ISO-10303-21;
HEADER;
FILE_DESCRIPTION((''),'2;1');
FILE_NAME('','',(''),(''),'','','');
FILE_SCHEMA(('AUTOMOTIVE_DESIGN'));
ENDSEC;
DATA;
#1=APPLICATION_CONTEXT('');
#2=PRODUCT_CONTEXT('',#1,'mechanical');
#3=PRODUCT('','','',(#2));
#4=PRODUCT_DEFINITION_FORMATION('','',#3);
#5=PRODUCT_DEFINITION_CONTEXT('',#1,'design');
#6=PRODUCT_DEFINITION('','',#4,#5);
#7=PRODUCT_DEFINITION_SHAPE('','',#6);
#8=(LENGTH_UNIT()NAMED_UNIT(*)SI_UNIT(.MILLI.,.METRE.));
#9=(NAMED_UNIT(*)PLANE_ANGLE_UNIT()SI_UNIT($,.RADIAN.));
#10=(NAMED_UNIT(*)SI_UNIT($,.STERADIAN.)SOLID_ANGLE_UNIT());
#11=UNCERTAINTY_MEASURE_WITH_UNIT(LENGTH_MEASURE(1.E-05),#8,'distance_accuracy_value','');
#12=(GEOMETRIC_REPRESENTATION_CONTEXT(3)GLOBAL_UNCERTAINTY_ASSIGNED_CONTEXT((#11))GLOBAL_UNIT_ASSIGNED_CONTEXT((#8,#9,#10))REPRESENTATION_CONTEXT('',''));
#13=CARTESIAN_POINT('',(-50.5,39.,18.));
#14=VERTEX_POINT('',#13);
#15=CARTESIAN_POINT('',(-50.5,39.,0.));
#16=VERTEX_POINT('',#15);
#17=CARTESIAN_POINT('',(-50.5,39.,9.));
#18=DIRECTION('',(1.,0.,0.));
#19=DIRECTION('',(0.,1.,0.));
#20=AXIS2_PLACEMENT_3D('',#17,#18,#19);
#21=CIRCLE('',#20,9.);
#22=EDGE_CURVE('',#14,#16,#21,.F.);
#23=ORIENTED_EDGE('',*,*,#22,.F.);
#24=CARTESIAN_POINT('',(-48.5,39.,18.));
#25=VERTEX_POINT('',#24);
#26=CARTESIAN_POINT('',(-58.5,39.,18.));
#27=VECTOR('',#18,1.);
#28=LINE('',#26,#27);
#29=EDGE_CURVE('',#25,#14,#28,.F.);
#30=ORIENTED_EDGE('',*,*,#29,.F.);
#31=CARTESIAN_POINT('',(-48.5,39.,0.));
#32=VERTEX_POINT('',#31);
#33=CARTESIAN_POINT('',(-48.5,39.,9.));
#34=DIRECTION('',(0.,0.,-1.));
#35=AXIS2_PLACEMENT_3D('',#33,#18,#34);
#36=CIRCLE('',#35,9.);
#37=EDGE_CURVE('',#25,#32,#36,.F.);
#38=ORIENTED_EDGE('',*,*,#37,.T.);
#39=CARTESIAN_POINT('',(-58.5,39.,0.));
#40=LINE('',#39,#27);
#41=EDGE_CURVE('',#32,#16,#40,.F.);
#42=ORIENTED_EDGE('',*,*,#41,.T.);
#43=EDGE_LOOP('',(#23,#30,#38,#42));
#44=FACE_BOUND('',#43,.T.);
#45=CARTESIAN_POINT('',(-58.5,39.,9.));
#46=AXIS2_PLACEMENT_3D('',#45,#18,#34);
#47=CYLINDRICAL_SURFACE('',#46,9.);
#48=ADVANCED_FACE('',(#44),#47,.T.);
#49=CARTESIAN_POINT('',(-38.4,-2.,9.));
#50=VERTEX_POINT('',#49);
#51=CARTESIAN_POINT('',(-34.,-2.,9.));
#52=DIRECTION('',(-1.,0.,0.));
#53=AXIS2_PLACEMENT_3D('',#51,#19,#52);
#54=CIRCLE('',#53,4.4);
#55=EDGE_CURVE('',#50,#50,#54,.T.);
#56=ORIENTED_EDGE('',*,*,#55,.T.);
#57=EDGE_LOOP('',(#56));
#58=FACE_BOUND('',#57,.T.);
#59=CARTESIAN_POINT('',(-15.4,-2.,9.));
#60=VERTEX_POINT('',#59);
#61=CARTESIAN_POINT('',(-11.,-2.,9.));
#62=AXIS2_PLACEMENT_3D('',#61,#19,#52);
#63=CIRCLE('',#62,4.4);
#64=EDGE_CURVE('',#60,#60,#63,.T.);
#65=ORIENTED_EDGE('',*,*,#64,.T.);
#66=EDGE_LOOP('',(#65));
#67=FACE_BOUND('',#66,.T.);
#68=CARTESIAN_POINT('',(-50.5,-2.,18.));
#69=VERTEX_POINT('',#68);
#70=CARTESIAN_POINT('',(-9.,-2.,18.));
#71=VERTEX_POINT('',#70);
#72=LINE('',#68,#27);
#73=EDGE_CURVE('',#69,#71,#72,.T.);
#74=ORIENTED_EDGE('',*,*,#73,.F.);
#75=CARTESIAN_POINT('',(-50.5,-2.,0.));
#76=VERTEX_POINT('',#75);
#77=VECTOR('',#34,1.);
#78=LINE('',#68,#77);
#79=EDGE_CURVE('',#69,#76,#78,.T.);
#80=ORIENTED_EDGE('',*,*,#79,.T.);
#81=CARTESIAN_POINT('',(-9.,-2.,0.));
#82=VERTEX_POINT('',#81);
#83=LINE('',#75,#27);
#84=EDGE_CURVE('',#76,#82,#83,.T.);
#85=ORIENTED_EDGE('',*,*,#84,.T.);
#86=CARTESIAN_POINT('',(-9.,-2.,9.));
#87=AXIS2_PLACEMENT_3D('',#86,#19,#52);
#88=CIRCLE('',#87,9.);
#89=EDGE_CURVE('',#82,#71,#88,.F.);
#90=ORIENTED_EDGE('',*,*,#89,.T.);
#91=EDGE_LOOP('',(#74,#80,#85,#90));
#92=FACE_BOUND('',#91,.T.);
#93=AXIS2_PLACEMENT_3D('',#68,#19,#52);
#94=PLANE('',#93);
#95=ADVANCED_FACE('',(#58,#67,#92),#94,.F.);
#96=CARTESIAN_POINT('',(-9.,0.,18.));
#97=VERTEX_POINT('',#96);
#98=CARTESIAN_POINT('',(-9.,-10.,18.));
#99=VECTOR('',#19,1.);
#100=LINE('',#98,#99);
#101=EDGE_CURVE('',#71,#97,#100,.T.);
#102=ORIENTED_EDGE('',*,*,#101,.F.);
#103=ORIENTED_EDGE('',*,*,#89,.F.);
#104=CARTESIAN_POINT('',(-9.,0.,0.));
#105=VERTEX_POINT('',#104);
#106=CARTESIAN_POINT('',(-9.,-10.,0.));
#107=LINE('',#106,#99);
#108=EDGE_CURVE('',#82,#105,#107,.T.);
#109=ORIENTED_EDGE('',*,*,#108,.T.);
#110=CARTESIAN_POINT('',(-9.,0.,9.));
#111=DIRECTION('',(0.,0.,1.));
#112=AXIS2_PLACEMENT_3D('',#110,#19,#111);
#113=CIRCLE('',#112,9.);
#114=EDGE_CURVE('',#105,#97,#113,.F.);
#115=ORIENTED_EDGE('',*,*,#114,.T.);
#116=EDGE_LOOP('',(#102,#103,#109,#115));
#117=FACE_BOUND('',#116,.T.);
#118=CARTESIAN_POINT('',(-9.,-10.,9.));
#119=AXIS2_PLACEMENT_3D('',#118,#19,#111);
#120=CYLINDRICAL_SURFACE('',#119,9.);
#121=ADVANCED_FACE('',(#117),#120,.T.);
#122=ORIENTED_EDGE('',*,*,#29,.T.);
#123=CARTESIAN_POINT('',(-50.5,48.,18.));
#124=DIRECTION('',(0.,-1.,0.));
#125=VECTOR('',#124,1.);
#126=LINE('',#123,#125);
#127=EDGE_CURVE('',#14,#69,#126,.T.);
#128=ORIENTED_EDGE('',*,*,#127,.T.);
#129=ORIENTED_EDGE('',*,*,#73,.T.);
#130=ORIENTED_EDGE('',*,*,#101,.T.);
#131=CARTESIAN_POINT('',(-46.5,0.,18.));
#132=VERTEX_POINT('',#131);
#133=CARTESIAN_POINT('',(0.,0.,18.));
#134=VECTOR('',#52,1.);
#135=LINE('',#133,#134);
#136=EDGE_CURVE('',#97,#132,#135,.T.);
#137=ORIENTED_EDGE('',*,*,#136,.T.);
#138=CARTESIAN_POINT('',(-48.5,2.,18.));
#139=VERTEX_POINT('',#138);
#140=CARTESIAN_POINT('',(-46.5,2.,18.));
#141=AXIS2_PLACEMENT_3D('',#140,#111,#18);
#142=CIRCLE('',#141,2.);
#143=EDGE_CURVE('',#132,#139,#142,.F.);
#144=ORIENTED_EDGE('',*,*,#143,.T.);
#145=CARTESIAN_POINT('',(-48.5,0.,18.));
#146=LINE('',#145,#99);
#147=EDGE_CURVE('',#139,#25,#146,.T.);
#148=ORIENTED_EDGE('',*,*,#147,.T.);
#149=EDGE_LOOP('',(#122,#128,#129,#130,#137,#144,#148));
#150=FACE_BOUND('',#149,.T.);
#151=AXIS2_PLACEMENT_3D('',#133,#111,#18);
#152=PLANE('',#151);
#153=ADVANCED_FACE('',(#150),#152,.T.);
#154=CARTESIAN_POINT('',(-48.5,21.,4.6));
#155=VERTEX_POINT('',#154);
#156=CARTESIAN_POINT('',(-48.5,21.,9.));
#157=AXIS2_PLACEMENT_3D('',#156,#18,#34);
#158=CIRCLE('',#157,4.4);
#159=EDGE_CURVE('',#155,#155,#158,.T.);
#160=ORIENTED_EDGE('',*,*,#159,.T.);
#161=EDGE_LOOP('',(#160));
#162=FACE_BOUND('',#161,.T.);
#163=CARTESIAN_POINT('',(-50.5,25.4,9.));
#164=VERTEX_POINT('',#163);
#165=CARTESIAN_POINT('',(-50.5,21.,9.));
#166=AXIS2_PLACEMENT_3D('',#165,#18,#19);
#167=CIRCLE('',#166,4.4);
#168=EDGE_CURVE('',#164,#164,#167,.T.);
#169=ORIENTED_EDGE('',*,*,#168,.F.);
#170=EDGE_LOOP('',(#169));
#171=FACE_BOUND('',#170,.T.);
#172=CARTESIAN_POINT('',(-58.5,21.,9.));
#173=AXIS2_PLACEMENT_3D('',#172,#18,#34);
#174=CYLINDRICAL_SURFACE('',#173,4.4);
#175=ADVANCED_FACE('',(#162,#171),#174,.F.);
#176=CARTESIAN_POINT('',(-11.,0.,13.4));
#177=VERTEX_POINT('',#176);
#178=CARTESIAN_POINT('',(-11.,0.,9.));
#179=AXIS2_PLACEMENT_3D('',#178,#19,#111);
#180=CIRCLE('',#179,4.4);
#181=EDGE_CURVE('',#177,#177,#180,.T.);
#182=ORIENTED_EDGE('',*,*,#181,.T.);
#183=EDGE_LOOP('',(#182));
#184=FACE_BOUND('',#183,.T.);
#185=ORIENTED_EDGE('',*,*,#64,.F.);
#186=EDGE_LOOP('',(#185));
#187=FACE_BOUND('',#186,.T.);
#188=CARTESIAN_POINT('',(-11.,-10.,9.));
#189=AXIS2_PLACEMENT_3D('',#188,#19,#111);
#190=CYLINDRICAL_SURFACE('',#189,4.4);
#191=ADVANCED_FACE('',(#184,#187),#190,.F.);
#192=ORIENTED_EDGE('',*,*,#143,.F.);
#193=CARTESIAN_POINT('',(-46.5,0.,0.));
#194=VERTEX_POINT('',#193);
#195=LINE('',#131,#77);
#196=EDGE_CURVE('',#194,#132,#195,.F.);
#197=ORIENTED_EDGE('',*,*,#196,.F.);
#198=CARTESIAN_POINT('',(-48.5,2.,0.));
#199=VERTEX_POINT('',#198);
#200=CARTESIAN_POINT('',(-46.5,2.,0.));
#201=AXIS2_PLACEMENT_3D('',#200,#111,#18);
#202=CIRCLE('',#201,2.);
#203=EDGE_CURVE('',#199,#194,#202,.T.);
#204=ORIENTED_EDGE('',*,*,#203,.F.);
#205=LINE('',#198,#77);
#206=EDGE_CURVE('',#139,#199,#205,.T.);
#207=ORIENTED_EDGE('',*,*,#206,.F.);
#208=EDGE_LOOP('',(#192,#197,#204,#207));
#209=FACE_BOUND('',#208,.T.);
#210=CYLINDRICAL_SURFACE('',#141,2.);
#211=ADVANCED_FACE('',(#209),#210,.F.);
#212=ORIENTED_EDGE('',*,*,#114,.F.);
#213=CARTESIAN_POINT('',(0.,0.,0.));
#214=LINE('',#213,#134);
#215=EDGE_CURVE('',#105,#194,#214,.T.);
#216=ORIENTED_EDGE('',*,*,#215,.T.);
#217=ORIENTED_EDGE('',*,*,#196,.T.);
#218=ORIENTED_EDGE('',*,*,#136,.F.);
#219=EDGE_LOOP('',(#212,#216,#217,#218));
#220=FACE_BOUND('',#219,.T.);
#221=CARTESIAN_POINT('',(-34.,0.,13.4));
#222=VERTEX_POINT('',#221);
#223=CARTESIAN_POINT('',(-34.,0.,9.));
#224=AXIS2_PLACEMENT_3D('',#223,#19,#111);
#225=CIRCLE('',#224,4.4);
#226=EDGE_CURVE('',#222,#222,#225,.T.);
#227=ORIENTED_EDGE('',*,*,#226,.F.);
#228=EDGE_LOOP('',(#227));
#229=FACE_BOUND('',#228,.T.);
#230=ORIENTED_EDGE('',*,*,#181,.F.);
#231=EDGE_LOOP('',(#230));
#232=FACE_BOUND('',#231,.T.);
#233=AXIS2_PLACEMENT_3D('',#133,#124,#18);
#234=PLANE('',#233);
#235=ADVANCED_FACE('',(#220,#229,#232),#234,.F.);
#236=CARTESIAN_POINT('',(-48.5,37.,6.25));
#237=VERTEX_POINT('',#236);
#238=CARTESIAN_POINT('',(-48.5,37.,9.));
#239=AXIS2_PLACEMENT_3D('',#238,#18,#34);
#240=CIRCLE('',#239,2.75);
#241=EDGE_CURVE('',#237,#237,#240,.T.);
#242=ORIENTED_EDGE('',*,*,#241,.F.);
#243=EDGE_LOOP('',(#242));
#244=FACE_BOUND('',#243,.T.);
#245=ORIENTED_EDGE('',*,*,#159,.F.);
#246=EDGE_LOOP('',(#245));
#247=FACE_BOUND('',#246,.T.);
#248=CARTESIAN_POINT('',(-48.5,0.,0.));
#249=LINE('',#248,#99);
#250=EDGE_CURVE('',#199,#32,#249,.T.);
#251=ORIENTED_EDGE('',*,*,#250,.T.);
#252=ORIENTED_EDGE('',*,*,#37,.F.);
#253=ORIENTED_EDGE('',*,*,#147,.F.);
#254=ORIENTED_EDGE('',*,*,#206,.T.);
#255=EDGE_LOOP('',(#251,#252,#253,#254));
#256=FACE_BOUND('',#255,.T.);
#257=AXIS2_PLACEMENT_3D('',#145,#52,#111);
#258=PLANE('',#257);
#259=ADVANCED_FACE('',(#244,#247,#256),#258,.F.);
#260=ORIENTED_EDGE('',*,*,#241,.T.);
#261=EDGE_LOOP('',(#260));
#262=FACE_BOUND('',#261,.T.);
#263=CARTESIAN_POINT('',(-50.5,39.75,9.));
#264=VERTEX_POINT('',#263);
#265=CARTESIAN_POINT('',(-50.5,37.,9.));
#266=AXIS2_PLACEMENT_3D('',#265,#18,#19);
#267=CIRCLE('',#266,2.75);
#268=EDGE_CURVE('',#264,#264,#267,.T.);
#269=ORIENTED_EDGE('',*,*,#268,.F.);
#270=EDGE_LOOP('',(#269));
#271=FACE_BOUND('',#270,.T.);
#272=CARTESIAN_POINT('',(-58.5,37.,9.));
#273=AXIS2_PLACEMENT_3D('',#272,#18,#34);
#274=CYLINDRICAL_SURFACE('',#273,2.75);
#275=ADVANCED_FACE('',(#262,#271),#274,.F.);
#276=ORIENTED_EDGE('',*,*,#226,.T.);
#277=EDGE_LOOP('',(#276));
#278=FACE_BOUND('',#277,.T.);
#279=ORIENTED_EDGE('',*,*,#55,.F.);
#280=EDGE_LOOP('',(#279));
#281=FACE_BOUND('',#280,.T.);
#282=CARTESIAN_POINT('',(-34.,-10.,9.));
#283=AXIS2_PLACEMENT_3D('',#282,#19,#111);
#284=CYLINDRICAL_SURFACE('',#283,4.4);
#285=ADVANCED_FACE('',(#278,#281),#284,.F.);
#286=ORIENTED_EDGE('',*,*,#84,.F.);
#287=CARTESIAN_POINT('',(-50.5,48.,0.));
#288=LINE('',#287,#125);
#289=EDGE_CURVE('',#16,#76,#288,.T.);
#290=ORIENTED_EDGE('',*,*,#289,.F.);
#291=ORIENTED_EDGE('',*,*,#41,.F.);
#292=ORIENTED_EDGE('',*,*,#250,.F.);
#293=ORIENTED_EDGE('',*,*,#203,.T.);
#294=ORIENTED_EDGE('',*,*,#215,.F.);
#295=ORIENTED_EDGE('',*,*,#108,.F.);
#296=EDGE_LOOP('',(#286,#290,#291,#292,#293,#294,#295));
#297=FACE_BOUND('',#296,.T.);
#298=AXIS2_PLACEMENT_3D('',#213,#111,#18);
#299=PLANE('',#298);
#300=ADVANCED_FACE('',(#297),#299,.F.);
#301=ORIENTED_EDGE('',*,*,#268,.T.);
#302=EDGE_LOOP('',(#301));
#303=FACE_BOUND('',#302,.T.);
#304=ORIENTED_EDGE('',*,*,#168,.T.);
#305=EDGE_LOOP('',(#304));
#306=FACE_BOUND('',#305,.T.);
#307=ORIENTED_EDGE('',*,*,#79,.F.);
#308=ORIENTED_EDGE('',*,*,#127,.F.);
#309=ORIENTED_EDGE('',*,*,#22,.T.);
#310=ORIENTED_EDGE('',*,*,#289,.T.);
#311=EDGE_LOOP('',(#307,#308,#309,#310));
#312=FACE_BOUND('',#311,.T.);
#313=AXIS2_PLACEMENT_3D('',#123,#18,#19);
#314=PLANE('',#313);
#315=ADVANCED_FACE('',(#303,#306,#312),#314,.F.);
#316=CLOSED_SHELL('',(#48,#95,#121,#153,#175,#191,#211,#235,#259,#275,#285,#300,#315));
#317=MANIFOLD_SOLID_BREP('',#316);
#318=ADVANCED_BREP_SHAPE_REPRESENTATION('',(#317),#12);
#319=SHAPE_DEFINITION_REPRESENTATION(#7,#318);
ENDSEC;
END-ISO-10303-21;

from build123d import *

# Parameters (mm, degrees)
EXTRUDE_1_DEPTH     = 18
FILLET_1_R          = 2
SKETCH_2_R          = 4.4
SKETCH_2_R_2        = 2.75
CUT_EXTRUDE_1_DEPTH = 10
SKETCH_3_R          = 4.4
CUT_EXTRUDE_2_DEPTH = 10


with BuildPart() as part:
    # 草图1 → 凸台-拉伸1 (new body)
    with BuildSketch(Plane.XY):
        Polygon((0, 0), (-48.5, 0), (-48.5, 48), (-50.5, 48), (-50.5, -2), (0, -2), align=None)
    extrude(amount=EXTRUDE_1_DEPTH)

    # 圆角1
    fillet_1_edges = [part.edges().sort_by_distance(p)[0] for p in [
        (-48.5, 0, 9),
    ]]
    fillet(fillet_1_edges, radius=FILLET_1_R)

    # 草图2 → 切除-拉伸1 (cut)
    with BuildSketch(Plane(origin=(-48.5, 0, 0), x_dir=(0, 0, -1), z_dir=(1, 0, 0))):
        with BuildLine():
            Line((-9, 48), (-18, 48))
            Line((-18, 48), (-18, 39))
            ThreePointArc((-18, 39), (-15.363961031, 45.363961031), (-9, 48))
        make_face()
        with Locations((-9, 21)):
            Circle(SKETCH_2_R)
        with Locations((-9, 37)):
            Circle(SKETCH_2_R_2)
        with BuildLine():
            Line((0, 48), (-9, 48))
            ThreePointArc((-9, 48), (-2.636038969, 45.363961031), (0, 39))
            Line((0, 39), (0, 48))
        make_face()
    extrude(amount=-CUT_EXTRUDE_1_DEPTH, mode=Mode.SUBTRACT)

    # 草图3 → 切除-拉伸2 (cut)
    with BuildSketch(Plane(origin=(0, 0, 0), x_dir=(1, 0, 0), z_dir=(0, 1, 0))):
        with BuildLine():
            Line((0, -9), (0, 0))
            Line((0, 0), (-9, 0))
            ThreePointArc((-9, 0), (-2.636038969, -2.636038969), (0, -9))
        make_face()
        with Locations(Location((-34, -9, 0), (0, 0, 270))):
            Circle(SKETCH_3_R)
        with Locations(Location((-11, -9, 0), (0, 0, 270))):
            Circle(SKETCH_3_R)
        with BuildLine():
            Line((0, -18), (0, -9))
            ThreePointArc((0, -9), (-2.636038969, -15.363961031), (-9, -18))
            Line((-9, -18), (0, -18))
        make_face()
    extrude(amount=-CUT_EXTRUDE_2_DEPTH, mode=Mode.SUBTRACT)


solid = part.part
